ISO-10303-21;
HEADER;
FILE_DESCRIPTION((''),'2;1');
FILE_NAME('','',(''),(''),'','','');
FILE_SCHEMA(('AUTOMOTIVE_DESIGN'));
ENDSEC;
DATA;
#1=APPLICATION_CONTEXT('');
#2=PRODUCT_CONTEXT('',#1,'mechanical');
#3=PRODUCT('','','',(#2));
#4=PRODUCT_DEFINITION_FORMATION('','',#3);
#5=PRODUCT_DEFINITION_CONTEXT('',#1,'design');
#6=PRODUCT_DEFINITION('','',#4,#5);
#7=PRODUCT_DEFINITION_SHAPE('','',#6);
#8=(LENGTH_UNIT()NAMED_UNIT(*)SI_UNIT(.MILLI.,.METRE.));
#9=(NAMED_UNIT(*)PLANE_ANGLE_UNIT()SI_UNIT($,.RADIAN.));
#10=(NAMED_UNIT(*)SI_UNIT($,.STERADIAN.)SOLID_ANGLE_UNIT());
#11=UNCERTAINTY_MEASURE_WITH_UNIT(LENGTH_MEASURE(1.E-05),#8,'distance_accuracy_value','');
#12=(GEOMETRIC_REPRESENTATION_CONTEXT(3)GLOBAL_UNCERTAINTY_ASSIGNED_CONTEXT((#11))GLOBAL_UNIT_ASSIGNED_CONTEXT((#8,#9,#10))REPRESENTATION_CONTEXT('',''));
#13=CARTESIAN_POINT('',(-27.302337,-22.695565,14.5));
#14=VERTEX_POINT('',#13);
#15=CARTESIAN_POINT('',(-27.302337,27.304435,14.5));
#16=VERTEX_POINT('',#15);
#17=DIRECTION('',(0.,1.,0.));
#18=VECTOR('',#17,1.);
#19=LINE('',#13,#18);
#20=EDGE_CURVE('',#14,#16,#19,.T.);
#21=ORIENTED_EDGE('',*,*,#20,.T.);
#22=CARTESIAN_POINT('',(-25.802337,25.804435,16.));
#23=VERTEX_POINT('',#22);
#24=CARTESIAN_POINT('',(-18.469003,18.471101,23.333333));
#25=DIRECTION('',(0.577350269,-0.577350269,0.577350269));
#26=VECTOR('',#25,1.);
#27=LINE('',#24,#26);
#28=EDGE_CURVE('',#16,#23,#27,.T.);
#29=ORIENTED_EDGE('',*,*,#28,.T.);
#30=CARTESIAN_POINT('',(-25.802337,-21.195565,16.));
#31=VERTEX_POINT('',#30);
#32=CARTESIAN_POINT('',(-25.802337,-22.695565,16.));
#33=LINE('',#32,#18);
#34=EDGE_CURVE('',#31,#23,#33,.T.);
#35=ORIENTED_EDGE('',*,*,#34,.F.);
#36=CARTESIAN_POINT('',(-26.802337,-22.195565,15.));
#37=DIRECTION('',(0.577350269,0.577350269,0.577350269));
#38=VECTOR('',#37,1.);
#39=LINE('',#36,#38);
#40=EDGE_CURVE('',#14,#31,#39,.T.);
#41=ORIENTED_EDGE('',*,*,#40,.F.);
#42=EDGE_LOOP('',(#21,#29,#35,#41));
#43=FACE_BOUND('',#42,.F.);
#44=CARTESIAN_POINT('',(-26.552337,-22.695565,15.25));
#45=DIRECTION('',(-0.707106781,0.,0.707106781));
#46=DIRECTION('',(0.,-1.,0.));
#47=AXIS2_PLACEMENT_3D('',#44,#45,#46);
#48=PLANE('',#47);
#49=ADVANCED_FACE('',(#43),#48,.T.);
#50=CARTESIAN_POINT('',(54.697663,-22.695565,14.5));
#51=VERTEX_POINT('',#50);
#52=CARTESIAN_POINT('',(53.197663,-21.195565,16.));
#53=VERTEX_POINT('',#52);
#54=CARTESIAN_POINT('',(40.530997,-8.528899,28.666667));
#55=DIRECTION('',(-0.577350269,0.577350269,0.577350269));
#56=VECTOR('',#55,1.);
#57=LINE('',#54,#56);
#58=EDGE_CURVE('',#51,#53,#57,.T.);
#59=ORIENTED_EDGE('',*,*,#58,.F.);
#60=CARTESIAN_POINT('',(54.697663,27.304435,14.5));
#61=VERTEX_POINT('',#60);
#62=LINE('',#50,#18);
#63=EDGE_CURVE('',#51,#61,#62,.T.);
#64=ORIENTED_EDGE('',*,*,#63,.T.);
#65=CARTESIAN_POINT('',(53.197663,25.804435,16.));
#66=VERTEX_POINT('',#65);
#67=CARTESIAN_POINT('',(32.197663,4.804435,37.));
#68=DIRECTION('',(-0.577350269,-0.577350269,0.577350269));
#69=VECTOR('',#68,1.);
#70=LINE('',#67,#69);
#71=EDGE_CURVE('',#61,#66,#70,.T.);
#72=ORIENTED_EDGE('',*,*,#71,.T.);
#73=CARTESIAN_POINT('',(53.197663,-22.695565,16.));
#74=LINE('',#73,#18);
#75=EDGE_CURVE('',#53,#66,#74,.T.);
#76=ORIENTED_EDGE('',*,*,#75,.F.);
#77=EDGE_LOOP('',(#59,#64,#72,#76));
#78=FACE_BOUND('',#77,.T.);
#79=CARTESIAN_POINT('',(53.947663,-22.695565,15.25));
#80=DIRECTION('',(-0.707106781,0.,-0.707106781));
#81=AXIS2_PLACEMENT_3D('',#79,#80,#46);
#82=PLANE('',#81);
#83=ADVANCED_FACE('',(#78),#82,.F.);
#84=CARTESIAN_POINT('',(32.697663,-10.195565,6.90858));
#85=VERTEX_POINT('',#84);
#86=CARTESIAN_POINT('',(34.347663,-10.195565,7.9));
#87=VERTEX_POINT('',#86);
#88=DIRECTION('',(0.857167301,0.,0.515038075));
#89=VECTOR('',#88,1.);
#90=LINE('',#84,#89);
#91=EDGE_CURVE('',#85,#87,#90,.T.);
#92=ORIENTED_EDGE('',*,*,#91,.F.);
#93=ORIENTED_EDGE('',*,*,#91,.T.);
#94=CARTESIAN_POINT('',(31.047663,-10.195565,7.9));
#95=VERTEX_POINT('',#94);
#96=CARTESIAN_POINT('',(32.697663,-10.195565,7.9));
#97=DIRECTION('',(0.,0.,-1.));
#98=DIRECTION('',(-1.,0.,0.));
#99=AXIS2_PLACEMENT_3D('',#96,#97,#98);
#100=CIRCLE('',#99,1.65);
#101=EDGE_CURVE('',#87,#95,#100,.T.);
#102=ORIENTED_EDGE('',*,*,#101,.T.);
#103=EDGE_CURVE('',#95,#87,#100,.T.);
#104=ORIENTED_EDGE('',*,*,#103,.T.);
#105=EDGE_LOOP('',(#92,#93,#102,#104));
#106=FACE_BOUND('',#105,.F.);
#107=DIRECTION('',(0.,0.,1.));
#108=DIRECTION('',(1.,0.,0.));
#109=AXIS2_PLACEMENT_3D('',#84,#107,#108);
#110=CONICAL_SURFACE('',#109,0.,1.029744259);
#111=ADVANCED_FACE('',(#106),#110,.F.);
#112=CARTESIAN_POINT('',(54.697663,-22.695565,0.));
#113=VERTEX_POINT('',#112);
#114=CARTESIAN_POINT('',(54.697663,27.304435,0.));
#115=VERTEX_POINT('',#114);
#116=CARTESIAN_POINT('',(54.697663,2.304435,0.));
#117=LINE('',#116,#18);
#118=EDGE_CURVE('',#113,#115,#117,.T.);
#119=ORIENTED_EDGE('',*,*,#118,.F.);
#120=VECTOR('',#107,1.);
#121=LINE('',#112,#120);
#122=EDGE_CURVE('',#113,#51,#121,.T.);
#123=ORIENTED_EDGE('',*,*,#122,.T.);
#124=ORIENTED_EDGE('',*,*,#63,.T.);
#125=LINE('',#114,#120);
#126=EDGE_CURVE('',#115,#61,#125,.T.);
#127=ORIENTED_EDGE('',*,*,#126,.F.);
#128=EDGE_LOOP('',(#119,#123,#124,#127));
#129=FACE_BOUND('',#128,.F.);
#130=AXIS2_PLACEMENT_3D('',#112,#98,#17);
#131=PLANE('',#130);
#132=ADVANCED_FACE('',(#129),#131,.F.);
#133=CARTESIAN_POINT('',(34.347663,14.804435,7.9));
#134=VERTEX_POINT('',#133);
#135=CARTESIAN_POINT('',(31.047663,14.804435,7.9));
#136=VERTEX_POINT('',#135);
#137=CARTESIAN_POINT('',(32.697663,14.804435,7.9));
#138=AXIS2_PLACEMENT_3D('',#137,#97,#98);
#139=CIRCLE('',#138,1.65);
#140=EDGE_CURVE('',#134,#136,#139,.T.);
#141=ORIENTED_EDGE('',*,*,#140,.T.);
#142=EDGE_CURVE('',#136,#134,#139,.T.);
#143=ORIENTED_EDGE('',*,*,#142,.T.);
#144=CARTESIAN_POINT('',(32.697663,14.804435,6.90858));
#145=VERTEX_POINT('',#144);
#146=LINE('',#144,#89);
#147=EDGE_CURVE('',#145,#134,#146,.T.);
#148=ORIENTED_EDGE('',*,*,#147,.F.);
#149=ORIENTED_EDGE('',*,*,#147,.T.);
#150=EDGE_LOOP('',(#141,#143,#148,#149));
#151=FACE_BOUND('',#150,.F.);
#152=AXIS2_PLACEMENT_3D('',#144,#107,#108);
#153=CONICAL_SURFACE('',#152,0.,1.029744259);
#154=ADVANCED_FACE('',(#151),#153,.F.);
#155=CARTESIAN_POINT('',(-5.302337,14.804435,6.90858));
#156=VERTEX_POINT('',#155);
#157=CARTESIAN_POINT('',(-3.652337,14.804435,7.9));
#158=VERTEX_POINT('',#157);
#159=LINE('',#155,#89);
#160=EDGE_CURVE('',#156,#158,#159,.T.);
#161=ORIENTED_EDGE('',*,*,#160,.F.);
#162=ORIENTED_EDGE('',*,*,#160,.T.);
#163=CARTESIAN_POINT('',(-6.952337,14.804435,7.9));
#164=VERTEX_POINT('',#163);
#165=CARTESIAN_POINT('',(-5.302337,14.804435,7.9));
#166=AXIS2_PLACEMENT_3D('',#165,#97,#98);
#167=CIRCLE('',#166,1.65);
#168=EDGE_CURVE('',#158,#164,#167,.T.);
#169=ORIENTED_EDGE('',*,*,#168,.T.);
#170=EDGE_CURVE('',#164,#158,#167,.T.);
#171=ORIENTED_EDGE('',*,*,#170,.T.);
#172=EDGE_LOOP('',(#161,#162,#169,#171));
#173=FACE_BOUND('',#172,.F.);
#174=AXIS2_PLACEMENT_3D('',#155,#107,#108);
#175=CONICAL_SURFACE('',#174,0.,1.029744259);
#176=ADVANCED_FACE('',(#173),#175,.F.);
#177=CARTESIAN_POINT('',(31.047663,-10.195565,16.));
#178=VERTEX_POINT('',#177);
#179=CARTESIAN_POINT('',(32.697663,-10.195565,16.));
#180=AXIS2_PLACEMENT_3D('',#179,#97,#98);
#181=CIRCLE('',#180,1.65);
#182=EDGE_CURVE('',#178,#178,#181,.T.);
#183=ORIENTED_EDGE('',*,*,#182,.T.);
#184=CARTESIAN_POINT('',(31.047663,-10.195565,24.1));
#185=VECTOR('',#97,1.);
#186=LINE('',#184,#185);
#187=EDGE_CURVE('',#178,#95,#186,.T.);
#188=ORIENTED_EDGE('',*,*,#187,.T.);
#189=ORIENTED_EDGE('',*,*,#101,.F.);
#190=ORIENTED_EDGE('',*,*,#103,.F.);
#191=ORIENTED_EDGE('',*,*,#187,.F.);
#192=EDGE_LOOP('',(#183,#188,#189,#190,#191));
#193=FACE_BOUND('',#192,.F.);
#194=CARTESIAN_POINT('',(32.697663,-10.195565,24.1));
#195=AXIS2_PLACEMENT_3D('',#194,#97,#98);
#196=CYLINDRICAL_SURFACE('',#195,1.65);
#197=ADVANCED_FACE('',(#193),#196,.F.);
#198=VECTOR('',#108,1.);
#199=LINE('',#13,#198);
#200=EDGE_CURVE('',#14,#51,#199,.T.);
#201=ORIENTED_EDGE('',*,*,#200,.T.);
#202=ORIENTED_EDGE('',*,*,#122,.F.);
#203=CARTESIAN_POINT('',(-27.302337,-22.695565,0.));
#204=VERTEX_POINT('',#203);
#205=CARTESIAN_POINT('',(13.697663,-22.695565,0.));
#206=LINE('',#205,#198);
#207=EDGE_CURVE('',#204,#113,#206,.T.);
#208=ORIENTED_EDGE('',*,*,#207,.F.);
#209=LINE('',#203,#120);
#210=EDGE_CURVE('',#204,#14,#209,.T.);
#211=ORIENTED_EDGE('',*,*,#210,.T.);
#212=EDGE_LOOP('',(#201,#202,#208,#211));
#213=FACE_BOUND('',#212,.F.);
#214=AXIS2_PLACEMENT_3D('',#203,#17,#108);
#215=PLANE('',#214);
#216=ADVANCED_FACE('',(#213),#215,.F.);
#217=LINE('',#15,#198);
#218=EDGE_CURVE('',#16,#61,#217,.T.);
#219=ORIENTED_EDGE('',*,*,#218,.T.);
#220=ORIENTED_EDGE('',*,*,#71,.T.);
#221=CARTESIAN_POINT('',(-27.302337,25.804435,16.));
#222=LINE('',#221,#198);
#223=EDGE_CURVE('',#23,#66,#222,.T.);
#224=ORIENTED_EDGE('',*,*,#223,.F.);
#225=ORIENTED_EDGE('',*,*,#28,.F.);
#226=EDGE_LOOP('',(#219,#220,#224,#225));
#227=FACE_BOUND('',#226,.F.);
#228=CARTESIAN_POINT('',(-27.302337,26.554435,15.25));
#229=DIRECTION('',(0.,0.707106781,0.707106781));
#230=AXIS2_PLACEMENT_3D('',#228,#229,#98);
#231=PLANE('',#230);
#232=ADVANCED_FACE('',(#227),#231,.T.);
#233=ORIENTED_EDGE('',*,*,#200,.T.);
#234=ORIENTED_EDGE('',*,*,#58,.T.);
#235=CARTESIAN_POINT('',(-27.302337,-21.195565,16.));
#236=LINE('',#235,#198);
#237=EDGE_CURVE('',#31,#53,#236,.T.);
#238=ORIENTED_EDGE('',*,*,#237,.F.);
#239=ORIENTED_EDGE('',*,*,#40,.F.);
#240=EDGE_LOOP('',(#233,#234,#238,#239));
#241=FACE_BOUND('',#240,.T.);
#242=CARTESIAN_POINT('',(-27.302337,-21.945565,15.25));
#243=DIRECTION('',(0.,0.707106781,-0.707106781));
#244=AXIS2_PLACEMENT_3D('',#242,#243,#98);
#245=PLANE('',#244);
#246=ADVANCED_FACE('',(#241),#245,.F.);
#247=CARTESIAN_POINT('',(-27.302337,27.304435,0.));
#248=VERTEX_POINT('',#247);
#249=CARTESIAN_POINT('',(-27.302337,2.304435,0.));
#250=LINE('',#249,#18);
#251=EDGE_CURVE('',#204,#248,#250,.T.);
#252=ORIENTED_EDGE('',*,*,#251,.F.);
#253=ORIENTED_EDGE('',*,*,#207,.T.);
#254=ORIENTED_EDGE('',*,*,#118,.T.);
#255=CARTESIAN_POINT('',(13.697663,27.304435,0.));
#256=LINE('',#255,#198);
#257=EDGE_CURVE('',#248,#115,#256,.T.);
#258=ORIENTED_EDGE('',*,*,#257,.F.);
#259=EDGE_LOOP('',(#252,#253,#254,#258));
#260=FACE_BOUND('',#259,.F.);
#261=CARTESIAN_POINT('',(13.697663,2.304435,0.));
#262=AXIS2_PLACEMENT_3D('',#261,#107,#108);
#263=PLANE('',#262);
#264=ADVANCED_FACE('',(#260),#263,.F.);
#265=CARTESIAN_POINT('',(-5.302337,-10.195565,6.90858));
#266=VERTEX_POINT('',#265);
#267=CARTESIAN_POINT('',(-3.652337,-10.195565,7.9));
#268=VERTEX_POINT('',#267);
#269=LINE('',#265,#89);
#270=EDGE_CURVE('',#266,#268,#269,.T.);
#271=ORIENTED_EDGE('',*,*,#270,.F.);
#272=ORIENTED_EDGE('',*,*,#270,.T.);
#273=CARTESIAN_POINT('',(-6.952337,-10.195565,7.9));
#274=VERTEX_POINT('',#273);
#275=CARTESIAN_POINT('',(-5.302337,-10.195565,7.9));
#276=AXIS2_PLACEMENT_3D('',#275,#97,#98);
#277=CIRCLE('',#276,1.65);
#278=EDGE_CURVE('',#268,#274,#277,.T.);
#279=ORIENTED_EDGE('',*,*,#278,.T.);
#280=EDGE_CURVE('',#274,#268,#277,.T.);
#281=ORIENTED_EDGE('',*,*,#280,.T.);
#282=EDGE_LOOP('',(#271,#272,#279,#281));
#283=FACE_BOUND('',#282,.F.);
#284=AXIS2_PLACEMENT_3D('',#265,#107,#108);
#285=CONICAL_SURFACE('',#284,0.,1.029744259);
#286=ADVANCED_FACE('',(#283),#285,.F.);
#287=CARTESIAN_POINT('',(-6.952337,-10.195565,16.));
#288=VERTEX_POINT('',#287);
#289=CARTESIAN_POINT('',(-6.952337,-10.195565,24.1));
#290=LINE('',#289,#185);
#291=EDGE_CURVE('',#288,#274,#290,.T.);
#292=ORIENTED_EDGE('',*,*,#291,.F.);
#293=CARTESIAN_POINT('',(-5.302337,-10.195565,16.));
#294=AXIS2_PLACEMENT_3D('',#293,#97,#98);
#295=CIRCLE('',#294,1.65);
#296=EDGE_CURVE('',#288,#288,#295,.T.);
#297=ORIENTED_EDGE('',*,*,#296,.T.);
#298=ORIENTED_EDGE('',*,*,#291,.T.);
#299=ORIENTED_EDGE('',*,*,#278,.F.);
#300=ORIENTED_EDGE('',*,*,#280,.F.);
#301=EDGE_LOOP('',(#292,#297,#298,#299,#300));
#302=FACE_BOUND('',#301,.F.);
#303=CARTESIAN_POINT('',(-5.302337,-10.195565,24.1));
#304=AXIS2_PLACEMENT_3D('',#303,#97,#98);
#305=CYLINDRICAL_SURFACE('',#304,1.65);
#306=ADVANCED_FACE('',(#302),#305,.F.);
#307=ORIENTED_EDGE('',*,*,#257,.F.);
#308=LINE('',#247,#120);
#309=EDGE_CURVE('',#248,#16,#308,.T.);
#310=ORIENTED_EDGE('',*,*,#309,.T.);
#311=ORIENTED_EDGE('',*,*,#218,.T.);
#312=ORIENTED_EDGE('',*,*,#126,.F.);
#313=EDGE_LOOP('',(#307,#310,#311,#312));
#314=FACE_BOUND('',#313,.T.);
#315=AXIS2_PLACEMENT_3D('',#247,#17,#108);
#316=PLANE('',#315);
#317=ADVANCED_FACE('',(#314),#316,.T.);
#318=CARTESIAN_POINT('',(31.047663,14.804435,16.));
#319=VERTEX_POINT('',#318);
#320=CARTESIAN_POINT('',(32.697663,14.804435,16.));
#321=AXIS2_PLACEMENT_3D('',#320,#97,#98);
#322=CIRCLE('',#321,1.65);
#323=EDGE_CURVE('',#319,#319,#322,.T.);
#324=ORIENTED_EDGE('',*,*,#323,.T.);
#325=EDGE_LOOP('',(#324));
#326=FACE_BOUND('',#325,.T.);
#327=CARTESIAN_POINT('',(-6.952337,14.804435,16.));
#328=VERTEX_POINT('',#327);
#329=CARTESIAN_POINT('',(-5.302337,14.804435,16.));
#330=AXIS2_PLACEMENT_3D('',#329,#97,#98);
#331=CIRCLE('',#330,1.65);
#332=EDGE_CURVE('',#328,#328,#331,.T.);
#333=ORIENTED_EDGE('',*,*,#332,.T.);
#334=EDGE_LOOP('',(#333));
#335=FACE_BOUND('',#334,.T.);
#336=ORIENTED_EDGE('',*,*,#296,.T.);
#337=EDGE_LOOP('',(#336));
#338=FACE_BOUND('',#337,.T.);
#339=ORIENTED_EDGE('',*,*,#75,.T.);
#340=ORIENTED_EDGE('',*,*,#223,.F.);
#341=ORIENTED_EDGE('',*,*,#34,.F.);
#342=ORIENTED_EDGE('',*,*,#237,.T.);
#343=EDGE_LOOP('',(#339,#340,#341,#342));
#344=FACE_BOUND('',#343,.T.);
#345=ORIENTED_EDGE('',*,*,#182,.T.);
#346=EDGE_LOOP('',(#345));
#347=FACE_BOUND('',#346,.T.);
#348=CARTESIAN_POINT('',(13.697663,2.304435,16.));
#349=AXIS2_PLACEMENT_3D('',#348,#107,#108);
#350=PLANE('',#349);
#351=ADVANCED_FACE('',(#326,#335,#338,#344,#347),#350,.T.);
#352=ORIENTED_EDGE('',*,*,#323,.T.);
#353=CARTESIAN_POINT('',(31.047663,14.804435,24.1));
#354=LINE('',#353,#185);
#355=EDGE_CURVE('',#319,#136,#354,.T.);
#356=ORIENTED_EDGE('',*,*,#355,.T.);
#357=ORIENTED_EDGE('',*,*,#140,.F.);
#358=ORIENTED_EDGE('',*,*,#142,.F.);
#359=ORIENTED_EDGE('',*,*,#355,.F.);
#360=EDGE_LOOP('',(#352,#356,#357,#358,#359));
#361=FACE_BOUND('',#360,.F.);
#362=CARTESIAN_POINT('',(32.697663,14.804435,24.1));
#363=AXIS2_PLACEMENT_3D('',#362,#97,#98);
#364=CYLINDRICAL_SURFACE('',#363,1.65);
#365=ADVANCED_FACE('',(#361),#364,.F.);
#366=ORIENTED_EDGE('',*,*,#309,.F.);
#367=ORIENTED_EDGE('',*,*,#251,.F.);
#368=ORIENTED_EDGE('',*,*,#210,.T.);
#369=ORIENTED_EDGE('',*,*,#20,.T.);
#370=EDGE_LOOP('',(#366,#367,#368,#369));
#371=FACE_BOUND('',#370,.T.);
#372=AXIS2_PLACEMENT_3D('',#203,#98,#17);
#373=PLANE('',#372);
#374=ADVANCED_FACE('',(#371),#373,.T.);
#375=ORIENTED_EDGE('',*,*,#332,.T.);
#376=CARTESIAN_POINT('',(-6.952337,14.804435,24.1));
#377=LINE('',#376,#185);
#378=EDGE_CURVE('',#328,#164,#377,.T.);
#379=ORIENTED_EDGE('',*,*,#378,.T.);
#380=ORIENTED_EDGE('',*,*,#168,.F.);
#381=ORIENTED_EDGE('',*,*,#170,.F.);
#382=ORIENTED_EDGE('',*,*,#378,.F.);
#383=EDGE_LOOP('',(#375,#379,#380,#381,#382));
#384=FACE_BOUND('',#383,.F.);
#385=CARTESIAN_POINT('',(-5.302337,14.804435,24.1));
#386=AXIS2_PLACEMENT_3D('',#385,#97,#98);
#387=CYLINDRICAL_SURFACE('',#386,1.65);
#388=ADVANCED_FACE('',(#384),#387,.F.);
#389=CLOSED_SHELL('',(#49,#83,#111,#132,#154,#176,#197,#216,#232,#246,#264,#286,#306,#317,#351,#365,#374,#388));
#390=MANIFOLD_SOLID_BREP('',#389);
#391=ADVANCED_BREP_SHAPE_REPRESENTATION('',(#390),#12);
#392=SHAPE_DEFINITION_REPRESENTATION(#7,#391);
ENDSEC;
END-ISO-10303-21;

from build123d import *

# Parameters (mm, degrees)
F0_W     = 82
F0_H     = 50
F1_DEPTH = 16
F2_SIZE  = 1.5
F4_D     = 3.3
F4_DEPTH = 8.1
F4_TIP   = 0.9914200214


with BuildPart() as f1:
    # F0 (on Top) → F1 (new body)
    with BuildSketch(Plane.XY):
        with Locations((13.6976632877, 2.3044347763)):
            Rectangle(F0_W, F0_H)
    extrude(amount=F1_DEPTH)

    # F2
    f2_edges = [f1.edges().sort_by_distance(p)[0] for p in [
        (13.697663, -22.695565, 16),
        (54.697663, 2.304435, 16),
        (13.697663, 27.304435, 16),
        (-27.302337, 2.304435, 16),
    ]]
    chamfer(f2_edges, length=F2_SIZE)

    # F4
    with Locations(Plane.XY.offset(16)):
        with Locations((-5.3023367123, 14.8044347763), (-5.3023367123, -10.1955652237), (32.6976632877, 14.8044347763), (32.6976632877, -10.1955652237)):
            Hole(F4_D / 2, depth=F4_DEPTH)
            with Locations((0, 0, -(F4_DEPTH + F4_TIP / 2))):  # 118° drill point
                Cone(0, F4_D / 2, F4_TIP, mode=Mode.SUBTRACT)


solid = f1.part
